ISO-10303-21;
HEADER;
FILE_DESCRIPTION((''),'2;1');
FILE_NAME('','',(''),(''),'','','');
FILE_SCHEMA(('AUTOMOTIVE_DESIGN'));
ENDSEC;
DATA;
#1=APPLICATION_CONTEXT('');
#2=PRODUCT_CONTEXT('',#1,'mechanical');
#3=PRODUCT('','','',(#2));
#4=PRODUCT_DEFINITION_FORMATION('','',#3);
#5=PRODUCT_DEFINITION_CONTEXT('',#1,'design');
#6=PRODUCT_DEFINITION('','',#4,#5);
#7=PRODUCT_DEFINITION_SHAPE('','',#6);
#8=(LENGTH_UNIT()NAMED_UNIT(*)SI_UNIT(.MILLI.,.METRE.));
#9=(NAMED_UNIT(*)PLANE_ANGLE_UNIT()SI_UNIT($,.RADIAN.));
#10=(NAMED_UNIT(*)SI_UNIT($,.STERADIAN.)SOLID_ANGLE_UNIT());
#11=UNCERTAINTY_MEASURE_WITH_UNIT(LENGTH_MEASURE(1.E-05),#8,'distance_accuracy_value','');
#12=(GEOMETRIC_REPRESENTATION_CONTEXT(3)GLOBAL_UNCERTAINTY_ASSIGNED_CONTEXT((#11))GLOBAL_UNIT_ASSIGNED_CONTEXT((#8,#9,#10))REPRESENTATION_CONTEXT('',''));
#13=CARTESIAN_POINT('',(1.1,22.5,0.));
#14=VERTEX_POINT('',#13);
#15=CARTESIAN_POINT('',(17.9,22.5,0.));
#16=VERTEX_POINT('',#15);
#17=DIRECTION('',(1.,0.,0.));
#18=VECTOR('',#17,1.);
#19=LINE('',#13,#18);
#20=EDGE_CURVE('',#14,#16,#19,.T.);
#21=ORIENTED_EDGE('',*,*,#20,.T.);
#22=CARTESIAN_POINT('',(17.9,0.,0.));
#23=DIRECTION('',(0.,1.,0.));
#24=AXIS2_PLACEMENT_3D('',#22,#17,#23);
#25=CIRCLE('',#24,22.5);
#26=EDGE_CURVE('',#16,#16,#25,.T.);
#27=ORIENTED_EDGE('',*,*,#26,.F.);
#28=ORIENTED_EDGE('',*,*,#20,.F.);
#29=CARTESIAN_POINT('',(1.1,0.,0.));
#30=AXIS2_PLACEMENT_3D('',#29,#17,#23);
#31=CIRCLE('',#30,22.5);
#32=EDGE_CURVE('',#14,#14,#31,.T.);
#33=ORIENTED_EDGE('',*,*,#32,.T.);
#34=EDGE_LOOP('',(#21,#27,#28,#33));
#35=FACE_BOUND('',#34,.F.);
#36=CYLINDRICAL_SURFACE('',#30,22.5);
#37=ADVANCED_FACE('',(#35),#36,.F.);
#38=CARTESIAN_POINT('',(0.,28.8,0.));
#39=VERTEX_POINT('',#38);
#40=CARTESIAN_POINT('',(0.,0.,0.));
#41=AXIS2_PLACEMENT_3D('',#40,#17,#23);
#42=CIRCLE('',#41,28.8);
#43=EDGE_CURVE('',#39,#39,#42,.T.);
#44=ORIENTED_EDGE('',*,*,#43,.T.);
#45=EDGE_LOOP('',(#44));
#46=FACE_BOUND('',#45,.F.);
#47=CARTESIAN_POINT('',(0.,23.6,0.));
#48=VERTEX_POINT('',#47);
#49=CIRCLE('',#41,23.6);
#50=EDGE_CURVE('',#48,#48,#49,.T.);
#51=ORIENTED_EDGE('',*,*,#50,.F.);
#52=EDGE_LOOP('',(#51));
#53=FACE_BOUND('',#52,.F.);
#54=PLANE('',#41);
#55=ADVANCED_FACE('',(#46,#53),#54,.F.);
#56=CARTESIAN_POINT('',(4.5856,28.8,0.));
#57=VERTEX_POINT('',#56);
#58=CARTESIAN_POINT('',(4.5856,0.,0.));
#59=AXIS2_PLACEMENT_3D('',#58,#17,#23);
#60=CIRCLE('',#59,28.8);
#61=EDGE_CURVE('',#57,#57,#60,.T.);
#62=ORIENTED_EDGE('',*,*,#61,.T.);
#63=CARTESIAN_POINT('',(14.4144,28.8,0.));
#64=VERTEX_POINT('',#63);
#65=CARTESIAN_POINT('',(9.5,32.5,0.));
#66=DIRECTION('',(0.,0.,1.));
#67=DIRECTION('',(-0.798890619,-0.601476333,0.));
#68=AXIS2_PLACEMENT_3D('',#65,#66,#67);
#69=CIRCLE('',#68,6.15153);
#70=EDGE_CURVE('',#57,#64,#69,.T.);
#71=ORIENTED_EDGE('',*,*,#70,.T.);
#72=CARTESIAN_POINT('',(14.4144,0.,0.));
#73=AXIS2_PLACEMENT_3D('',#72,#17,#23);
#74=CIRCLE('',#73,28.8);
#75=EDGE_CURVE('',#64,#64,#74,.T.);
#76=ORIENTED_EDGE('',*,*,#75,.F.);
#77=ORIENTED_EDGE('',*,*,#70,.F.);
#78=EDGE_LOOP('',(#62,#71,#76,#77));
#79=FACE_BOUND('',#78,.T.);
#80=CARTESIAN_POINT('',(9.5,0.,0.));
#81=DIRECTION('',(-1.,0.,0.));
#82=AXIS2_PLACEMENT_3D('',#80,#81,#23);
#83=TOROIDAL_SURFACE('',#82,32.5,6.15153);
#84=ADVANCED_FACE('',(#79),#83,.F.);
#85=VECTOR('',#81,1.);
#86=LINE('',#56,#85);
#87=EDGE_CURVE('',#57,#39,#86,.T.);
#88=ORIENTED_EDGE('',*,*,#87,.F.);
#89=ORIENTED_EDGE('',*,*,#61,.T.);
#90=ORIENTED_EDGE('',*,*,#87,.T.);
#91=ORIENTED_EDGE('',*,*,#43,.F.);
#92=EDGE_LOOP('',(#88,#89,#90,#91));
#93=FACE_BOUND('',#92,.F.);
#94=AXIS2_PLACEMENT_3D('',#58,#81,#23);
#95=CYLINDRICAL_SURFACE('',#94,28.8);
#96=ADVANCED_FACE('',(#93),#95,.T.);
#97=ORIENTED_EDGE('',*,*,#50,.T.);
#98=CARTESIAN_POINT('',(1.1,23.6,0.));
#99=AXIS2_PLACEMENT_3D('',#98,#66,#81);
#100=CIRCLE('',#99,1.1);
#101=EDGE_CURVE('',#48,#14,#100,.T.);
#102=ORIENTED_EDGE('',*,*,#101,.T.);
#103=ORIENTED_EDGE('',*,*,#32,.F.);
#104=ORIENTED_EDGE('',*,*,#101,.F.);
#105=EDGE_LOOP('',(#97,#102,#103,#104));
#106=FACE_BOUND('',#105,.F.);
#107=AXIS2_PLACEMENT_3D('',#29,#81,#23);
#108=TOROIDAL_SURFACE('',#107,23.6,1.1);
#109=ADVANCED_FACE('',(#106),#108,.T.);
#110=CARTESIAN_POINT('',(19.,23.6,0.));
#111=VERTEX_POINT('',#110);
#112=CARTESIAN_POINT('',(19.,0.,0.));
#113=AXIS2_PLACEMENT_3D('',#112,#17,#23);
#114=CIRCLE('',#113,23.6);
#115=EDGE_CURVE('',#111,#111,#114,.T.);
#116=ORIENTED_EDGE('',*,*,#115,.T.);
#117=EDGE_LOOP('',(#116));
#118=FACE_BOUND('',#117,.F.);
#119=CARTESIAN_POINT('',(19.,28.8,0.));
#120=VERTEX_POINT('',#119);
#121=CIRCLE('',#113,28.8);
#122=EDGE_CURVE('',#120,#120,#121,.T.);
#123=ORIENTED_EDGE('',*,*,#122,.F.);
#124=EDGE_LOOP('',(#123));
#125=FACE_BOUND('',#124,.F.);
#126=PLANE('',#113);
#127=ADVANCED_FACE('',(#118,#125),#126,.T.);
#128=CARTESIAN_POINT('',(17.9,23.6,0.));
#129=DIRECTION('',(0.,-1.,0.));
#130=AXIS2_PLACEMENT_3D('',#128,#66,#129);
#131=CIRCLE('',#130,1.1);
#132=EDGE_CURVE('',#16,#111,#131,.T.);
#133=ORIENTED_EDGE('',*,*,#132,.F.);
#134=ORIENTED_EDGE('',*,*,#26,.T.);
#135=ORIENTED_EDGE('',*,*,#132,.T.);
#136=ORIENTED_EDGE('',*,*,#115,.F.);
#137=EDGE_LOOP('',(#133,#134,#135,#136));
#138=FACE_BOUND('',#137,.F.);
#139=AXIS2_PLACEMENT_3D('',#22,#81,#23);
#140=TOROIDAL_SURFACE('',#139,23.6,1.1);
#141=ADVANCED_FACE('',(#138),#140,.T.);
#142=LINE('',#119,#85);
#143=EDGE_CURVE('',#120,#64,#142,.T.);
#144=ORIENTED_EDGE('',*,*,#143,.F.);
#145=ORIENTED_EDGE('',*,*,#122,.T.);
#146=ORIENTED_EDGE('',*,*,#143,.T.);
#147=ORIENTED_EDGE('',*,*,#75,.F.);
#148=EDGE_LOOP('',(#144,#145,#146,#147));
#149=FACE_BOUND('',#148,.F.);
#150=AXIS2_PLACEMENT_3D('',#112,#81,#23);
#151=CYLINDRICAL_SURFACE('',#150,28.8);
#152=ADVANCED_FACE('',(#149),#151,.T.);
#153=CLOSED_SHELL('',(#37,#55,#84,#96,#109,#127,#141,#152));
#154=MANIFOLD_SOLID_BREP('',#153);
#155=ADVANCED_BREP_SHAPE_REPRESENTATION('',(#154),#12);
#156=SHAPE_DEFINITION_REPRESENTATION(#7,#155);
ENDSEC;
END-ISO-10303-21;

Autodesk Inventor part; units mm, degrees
ref_plane "YZ Plane" through (0, 0, 0) normal (1, 0, 0) x (0, 1, 0)
ref_plane "XZ Plane" through (0, 0, 0) normal (0, 1, 0) x (-1, 0, 0)
ref_plane "XY Plane" through (0, 0, 0) normal (0, 0, 1) x (1, 0, 0)
sketch "Sketch_1" plane through (0, 0, 0) normal (0, 0, 1) x (1, 0, 0)
  line L0 (50, 0) -> (-50, 0)
  arc A0 (0, 23.6) -> (1.1, 22.5) centre (1.1, 23.6) ccw
  line L1 (1.1, 22.5) -> (17.9, 22.5)
  arc A1 (17.9, 22.5) -> (19, 23.6) centre (17.9, 23.6) ccw
  line L2 (19, 23.6) -> (19, 28.8)
  line L3 (19, 28.8) -> (14.4144, 28.8)
  arc A2 (4.5856, 28.8) -> (14.4144, 28.8) centre (9.5, 32.5) ccw
  line L4 (4.5856, 28.8) -> (0, 28.8)
  line L5 (0, 28.8) -> (0, 23.6)
revolve "Revolution1" add sketch "Sketch_1" angle 360 about axis through (50, 0, 0) along (1, 0, 0)
properties part number "6209_PART1"
